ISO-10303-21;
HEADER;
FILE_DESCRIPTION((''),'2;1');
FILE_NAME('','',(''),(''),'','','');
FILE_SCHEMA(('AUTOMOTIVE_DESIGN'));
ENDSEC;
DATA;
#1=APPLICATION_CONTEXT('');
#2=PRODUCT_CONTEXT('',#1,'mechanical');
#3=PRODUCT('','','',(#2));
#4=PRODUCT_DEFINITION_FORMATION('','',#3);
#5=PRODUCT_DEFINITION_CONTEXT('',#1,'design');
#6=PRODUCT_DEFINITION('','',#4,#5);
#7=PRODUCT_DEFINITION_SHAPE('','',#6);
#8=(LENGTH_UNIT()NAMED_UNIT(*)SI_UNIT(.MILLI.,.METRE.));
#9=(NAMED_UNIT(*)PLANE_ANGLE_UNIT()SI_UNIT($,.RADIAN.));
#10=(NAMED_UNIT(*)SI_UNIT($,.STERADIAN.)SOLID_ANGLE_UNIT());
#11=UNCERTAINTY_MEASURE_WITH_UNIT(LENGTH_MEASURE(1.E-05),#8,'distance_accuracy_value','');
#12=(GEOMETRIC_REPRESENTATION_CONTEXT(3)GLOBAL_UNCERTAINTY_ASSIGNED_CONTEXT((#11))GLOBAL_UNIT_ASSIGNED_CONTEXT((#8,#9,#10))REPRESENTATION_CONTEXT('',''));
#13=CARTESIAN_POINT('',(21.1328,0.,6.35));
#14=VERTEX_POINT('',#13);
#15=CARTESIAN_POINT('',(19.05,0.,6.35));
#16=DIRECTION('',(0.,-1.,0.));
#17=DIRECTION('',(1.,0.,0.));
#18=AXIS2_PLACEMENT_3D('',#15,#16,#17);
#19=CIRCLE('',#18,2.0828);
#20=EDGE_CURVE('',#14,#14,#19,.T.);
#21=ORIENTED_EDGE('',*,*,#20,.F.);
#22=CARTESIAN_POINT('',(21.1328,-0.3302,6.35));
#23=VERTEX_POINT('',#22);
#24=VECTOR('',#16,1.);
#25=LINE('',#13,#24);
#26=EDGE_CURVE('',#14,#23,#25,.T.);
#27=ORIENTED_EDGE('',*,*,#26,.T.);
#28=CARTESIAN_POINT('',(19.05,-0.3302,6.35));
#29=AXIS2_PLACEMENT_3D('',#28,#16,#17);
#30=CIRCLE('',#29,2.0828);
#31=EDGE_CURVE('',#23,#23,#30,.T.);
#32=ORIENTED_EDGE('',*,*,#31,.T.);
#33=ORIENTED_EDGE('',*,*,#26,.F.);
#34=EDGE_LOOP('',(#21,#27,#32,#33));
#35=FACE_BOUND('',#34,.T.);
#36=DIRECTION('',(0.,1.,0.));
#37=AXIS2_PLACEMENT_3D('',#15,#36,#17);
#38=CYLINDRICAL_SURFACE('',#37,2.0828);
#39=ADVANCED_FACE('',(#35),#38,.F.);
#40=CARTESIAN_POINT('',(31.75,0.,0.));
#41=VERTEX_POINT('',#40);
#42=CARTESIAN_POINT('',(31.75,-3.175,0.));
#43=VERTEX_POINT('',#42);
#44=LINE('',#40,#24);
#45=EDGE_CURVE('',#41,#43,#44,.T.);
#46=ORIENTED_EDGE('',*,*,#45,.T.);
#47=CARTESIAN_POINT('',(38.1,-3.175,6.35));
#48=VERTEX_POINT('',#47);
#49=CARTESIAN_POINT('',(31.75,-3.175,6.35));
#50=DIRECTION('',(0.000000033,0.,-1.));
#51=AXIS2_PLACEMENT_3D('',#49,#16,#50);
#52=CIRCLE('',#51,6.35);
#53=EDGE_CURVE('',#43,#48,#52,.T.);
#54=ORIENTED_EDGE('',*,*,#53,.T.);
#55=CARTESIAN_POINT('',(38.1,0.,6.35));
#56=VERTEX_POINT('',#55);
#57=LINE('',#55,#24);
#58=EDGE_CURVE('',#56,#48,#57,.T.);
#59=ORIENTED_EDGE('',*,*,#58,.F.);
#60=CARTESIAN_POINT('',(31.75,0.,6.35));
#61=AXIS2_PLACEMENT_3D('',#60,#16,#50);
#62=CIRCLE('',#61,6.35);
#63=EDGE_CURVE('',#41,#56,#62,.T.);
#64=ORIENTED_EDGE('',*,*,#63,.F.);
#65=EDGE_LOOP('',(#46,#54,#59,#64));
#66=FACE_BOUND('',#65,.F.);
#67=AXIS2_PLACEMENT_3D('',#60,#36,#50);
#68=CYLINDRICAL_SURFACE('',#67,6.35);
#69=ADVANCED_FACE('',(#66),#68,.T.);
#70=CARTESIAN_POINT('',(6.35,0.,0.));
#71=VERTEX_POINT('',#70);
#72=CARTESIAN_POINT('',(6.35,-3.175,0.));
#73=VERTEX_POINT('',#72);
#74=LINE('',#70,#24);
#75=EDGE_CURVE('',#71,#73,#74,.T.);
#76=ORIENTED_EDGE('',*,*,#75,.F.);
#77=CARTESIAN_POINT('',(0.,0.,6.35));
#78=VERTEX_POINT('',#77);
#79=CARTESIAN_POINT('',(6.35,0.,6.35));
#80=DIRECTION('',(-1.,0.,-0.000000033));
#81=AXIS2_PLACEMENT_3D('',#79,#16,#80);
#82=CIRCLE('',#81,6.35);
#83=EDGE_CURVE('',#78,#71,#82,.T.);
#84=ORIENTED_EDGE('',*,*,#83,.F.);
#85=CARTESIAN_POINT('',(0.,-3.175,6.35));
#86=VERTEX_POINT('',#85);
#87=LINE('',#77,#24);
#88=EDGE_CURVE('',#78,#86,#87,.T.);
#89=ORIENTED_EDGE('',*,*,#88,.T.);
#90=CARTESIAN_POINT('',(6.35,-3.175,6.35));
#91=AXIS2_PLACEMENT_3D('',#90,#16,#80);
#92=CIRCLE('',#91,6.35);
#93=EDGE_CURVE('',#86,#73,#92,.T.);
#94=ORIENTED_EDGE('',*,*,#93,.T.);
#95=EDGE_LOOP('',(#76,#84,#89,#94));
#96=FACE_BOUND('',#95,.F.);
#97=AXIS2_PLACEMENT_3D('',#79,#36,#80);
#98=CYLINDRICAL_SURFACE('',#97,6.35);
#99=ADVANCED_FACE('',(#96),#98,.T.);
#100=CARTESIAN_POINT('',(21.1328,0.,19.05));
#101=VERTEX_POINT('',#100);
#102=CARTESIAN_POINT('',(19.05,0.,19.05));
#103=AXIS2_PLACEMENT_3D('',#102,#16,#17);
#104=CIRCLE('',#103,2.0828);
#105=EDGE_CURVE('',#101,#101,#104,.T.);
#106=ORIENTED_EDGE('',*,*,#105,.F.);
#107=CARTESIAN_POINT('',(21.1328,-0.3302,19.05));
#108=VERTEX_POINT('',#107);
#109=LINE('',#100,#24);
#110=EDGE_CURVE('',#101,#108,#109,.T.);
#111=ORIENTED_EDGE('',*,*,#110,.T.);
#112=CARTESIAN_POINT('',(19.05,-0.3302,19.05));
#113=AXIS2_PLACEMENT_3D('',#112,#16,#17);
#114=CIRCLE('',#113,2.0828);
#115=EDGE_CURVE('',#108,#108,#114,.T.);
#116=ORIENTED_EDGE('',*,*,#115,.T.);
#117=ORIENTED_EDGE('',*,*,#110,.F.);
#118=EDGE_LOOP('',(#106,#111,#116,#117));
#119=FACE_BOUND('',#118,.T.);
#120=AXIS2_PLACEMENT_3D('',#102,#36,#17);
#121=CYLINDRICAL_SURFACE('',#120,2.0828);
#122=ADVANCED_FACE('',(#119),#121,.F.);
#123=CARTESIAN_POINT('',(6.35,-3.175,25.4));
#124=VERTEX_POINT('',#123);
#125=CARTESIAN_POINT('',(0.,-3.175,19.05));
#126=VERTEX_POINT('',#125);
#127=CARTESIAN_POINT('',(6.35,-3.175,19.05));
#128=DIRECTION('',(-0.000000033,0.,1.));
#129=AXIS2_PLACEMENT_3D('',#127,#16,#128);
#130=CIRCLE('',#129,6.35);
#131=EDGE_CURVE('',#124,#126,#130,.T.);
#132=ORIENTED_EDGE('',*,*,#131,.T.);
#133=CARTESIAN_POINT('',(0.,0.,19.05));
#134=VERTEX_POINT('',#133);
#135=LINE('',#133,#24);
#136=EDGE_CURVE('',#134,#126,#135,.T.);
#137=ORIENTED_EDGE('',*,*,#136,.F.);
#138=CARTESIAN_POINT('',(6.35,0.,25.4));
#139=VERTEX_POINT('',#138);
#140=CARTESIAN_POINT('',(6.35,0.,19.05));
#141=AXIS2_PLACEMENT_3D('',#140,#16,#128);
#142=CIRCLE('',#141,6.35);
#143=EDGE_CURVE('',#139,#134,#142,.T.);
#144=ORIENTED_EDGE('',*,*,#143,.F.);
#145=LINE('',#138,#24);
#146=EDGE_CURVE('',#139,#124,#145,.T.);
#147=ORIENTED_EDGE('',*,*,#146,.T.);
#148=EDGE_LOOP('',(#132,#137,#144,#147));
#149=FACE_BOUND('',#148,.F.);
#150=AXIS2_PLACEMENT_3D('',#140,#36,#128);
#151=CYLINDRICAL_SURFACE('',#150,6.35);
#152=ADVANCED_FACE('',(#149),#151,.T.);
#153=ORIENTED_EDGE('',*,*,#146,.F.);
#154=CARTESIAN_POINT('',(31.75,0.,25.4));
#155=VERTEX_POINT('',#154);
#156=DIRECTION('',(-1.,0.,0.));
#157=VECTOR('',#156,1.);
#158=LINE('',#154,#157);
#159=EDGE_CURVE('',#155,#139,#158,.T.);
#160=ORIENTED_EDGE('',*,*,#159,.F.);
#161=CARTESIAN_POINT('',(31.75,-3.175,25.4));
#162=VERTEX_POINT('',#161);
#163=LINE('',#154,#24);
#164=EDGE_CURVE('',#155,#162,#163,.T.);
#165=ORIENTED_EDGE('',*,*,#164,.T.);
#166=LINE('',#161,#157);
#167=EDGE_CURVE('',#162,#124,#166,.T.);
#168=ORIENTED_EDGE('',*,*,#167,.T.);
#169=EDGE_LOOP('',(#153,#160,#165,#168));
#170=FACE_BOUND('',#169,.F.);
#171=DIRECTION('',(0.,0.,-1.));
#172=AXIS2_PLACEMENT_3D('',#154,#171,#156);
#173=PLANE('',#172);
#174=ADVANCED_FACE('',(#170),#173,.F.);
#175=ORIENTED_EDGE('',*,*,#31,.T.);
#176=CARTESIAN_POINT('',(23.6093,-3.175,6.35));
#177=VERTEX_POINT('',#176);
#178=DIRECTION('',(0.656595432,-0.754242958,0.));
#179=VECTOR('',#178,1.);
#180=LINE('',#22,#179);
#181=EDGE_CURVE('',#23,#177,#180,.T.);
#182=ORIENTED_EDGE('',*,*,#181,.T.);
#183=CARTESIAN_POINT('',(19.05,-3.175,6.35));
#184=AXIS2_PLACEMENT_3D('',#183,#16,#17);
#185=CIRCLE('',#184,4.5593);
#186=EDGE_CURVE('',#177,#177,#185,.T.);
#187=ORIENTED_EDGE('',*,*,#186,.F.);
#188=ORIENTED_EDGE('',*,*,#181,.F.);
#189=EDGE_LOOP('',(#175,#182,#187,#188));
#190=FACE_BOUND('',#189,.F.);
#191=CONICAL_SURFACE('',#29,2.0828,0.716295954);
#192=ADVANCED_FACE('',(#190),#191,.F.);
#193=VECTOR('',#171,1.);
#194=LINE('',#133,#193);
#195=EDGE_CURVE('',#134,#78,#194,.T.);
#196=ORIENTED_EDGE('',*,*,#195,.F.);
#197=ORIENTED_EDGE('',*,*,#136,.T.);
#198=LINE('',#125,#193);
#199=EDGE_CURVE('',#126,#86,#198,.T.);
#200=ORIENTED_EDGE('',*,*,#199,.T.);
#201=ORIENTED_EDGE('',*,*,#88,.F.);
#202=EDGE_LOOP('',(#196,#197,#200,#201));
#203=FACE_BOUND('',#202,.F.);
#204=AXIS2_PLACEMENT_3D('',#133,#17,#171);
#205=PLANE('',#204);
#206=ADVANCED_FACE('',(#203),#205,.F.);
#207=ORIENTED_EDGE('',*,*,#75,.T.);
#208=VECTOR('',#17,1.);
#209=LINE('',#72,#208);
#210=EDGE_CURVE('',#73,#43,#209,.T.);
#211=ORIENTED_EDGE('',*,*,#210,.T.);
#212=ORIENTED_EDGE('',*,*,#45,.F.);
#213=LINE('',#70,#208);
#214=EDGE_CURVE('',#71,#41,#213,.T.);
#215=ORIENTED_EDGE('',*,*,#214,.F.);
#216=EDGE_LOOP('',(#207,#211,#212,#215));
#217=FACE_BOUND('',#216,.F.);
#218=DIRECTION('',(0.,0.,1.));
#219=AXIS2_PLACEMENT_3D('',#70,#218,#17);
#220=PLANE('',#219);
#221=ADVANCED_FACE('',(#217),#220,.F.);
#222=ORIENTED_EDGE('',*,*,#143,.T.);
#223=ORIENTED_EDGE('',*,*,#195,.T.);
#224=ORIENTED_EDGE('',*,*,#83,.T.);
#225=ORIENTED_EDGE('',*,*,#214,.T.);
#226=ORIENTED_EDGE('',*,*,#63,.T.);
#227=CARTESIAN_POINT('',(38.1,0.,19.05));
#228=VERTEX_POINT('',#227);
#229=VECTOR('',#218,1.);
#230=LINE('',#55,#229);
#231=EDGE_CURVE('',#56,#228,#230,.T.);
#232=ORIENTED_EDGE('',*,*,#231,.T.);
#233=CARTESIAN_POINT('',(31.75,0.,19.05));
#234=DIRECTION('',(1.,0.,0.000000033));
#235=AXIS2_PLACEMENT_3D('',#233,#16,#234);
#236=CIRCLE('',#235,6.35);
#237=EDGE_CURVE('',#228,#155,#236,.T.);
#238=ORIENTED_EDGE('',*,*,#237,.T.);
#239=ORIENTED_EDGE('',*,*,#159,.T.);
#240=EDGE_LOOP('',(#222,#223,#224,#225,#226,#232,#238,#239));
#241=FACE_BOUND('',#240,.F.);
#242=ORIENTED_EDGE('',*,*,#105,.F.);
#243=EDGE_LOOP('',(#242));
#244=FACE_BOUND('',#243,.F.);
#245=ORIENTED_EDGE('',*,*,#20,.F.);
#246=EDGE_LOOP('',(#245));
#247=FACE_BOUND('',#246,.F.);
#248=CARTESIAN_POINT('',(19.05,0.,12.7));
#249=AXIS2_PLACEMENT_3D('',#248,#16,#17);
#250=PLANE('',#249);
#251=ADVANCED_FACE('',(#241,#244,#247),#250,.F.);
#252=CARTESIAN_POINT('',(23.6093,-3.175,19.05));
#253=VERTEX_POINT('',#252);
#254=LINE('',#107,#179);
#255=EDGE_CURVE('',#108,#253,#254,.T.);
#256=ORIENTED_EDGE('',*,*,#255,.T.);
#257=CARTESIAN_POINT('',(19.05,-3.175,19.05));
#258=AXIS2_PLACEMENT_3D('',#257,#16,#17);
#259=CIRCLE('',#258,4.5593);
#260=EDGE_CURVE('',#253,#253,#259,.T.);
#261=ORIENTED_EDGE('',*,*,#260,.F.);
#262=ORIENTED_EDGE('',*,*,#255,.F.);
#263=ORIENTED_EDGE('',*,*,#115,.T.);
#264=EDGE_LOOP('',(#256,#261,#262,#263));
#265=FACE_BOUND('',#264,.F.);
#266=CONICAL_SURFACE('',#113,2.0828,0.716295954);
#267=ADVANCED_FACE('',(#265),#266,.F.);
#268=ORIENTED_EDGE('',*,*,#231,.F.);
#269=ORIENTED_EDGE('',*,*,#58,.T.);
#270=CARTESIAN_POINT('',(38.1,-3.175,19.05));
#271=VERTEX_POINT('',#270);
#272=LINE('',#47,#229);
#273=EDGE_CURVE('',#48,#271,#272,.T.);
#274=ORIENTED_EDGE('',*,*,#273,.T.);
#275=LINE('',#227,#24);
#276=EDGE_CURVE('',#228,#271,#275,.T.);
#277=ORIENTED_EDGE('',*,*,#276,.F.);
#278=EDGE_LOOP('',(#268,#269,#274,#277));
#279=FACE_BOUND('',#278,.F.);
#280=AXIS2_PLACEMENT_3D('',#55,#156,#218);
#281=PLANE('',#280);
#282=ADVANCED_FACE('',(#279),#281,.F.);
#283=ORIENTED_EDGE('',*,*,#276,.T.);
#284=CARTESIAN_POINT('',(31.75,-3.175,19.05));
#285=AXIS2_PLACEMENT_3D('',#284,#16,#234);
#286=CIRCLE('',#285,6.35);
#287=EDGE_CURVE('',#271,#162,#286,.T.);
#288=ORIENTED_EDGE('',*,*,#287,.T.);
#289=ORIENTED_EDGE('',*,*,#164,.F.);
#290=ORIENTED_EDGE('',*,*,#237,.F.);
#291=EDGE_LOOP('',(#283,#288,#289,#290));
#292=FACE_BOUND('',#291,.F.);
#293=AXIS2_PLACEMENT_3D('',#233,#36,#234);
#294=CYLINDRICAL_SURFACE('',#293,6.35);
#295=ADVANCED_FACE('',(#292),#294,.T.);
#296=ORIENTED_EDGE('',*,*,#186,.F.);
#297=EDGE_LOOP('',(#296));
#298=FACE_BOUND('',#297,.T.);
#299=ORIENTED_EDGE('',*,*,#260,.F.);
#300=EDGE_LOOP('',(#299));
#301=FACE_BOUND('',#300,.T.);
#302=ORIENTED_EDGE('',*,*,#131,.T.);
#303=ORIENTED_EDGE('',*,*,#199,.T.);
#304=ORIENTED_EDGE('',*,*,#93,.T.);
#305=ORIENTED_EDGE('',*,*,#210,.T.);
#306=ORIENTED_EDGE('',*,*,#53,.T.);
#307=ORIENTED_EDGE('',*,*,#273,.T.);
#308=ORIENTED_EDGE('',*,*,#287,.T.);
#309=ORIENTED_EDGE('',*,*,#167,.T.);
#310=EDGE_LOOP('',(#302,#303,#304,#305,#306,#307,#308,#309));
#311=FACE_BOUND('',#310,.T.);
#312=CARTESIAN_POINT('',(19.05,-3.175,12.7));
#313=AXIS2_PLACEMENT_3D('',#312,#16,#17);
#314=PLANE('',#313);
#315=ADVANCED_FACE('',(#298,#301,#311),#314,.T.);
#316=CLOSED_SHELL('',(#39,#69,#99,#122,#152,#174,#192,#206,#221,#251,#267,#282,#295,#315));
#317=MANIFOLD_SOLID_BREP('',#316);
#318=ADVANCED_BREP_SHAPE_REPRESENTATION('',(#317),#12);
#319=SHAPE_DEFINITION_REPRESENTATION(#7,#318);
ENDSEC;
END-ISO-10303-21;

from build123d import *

# Parameters (mm, degrees)
F0_R     = 2.0828
F1_DEPTH = 3.175
F2_SIZE2 = 2.4765
F2_SIZE  = 2.8448


with BuildPart() as f1:
    # F0 (on Front) → F1 (new body)
    with BuildSketch(Plane.XZ):
        with BuildLine():
            ThreePointArc((0, 6.35), (1.859872, 1.859872), (6.35, 0))
            Line((6.35, 0), (31.75, 0))
            ThreePointArc((31.75, 0), (36.240128, 1.859872), (38.1, 6.35))
            Line((38.1, 6.35), (38.1, 19.05))
            ThreePointArc((38.1, 19.05), (36.240128, 23.540128), (31.75, 25.4))
            Line((31.75, 25.4), (6.35, 25.4))
            ThreePointArc((6.35, 25.4), (1.859872, 23.540128), (0, 19.05))
            Line((0, 19.05), (0, 6.35))
        make_face()
        with Locations((19.05, 6.35)):
            Circle(F0_R, mode=Mode.SUBTRACT)
        with Locations((19.05, 19.05)):
            Circle(F0_R, mode=Mode.SUBTRACT)
    extrude(amount=F1_DEPTH)

    # F2
    f2_edges = [f1.edges().sort_by_distance(p)[0] for p in [
        (16.9672, -3.175, 19.05),
        (16.9672, -3.175, 6.35),
    ]]
    chamfer(f2_edges, length=F2_SIZE, length2=F2_SIZE2)


solid = f1.part
